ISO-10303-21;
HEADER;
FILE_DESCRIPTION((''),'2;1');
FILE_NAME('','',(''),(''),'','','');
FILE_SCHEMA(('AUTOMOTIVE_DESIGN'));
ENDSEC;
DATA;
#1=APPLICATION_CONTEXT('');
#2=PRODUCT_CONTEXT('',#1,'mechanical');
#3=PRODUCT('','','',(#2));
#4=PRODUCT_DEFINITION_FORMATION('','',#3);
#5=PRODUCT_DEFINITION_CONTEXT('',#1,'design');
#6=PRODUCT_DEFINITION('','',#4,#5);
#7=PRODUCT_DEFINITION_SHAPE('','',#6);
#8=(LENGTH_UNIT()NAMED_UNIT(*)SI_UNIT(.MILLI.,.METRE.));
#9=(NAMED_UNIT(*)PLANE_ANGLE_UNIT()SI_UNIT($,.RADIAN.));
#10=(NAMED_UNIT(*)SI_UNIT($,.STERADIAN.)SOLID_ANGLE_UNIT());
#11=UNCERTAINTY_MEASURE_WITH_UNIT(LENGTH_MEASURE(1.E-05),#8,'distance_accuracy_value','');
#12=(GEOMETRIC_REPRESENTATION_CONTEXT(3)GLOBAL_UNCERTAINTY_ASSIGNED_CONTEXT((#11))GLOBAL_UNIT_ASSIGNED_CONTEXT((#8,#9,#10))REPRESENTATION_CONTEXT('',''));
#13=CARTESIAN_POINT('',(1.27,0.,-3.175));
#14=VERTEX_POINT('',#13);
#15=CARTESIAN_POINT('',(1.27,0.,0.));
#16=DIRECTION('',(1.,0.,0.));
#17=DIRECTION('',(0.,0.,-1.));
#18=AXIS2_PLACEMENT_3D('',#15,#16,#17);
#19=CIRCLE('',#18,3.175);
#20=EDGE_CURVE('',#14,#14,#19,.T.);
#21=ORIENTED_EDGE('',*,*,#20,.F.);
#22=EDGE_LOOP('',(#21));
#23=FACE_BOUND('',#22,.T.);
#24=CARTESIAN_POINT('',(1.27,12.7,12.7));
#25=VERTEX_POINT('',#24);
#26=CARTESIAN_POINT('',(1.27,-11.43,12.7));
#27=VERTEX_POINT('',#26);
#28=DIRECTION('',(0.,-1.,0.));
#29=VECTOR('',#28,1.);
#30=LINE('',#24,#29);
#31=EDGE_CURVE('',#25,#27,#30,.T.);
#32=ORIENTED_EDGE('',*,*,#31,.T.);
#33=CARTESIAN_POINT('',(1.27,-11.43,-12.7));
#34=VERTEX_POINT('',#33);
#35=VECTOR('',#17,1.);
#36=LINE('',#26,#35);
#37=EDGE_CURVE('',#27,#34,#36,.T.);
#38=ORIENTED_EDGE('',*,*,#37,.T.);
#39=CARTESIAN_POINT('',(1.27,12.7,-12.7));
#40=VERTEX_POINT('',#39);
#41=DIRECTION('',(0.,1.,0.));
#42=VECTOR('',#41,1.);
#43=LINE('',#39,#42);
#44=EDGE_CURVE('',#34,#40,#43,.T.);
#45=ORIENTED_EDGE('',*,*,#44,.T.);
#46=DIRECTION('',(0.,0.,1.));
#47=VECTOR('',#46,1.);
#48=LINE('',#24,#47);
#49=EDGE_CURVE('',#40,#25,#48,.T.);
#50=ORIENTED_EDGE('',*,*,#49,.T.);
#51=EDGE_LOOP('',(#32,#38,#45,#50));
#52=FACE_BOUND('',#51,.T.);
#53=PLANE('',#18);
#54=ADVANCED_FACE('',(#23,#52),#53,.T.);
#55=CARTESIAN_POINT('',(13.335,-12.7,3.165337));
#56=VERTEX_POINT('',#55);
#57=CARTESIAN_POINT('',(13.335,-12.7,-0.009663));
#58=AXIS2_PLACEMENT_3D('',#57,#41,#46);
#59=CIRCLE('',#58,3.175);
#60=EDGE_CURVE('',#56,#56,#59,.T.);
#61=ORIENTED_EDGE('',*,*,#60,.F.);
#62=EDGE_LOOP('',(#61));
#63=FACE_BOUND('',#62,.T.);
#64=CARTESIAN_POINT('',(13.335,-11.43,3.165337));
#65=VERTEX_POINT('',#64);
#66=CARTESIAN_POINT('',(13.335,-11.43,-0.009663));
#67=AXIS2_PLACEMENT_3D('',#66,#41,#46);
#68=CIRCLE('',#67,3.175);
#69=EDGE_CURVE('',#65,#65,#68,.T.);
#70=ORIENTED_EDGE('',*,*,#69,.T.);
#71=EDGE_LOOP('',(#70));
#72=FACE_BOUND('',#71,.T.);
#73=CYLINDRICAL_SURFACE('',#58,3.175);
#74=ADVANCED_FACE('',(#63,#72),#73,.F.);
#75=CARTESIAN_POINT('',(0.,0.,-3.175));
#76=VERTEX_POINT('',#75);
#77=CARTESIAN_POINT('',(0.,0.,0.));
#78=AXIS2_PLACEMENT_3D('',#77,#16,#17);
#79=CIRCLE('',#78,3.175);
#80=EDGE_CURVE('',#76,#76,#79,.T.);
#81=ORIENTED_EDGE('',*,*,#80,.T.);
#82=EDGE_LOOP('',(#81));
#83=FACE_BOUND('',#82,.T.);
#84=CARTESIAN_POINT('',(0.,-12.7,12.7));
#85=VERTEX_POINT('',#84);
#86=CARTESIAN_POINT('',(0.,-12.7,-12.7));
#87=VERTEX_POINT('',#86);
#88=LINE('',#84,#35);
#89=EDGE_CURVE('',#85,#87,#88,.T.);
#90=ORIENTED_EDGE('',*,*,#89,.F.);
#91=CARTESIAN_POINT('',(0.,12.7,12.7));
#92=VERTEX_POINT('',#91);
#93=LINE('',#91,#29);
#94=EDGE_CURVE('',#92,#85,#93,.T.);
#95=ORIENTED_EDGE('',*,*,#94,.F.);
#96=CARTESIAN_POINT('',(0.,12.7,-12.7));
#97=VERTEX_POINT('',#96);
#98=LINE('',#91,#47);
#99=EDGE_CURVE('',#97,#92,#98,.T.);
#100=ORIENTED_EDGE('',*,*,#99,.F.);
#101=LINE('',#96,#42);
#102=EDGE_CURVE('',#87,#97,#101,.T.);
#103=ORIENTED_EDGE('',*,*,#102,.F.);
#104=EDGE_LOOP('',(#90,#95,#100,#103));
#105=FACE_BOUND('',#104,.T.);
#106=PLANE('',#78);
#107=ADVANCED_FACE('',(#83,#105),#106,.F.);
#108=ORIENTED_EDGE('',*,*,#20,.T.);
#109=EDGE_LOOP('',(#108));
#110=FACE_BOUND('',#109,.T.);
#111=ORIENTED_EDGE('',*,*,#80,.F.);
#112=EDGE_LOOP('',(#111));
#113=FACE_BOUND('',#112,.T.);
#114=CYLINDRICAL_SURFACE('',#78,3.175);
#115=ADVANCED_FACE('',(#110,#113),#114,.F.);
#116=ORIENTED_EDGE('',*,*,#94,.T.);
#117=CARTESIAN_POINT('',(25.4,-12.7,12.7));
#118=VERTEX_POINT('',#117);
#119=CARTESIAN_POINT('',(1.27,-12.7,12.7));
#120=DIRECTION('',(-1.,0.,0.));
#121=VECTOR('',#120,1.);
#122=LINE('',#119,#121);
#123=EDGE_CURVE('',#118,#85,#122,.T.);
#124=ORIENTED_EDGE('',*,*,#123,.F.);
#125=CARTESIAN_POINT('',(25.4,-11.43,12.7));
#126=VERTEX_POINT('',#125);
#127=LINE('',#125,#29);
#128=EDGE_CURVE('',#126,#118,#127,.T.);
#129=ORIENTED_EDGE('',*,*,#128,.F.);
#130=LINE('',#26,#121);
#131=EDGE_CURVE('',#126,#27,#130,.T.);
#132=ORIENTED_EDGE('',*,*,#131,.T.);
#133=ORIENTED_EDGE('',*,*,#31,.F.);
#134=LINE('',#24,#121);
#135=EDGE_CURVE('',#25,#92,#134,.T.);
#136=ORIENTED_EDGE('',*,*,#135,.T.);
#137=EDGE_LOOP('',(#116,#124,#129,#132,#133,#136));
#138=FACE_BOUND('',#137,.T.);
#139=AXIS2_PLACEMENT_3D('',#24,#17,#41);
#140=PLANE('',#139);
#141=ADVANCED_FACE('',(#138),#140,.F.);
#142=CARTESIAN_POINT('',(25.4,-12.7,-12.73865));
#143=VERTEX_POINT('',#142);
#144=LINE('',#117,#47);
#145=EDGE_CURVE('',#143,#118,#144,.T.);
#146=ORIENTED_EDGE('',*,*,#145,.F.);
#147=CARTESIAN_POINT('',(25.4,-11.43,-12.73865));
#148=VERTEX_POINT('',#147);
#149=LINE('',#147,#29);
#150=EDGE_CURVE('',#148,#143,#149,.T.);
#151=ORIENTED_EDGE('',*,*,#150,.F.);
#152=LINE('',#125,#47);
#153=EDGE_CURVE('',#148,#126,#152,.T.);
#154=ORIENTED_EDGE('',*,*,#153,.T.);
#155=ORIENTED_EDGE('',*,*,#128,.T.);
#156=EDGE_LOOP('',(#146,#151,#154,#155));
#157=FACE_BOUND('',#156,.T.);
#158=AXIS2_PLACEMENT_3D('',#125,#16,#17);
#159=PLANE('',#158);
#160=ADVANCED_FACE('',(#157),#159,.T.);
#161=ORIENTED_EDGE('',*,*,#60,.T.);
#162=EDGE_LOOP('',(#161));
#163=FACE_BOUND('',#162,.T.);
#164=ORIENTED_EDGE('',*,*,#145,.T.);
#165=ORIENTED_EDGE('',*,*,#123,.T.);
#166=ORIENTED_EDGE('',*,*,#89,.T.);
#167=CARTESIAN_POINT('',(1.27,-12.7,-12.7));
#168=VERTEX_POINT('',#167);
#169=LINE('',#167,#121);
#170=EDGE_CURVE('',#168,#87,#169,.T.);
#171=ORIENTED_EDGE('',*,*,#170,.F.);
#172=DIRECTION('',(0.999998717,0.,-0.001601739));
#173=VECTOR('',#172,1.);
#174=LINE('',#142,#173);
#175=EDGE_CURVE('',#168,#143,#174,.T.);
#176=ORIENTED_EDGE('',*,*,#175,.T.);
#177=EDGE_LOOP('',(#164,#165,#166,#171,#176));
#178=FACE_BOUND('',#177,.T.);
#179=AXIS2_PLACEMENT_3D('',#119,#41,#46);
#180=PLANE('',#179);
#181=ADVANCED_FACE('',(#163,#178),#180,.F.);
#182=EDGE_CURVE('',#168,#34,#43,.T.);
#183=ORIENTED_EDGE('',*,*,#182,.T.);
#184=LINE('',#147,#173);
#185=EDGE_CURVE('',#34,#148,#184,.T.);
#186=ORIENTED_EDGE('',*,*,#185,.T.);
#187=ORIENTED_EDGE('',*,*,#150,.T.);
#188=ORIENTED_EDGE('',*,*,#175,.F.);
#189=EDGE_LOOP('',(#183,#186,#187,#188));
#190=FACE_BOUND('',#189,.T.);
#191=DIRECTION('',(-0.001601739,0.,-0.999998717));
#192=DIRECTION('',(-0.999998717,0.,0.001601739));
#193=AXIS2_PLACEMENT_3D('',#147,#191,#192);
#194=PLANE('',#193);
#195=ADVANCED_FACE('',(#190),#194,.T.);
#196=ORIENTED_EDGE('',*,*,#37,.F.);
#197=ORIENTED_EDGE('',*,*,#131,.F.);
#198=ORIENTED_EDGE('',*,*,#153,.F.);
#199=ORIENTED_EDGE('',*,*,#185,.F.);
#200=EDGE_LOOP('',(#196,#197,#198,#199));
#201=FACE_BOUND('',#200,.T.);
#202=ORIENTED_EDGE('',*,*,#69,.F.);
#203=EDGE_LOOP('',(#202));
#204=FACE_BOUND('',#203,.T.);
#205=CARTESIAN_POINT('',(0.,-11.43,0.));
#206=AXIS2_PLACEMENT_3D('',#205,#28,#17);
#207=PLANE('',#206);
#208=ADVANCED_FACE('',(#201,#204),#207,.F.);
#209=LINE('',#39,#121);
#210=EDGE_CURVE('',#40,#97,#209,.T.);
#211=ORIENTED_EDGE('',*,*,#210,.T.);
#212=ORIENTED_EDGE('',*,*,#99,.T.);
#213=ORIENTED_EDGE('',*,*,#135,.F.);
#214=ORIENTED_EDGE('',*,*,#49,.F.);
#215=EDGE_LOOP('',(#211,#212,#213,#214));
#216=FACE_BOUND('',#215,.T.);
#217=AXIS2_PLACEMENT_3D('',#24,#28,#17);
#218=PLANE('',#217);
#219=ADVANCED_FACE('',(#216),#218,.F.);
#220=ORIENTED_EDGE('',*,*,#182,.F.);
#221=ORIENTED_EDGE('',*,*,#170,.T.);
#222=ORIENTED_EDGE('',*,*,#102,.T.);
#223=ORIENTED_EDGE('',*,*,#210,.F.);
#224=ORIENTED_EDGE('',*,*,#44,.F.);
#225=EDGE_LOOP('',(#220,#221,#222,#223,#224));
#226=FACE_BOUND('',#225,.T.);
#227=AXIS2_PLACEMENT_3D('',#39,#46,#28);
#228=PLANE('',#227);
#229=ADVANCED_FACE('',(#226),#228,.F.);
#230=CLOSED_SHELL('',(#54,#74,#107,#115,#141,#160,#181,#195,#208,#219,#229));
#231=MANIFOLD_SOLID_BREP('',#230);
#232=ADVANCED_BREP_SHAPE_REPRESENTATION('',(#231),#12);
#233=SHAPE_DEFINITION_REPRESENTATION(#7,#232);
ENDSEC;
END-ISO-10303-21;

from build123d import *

# Parameters (mm, degrees)
SKETCH1_W           = 25.4
SKETCH1_H           = 25.4
BOSS_EXTRUDE1_DEPTH = 1.27
BOSS_EXTRUDE2_DEPTH = 1.27
SKETCH3_R           = 3.175
CUT_EXTRUDE1_DEPTH  = 1.27
SKETCH4_R           = 3.175
CUT_EXTRUDE2_DEPTH  = 1.27


with BuildPart() as part:
    # Sketch1 → Boss-Extrude1 (new body)
    with BuildSketch(Plane(origin=(0, 0, 0), x_dir=(0, 0, -1), z_dir=(1, 0, 0))):
        Rectangle(SKETCH1_W, SKETCH1_H)
    extrude(amount=BOSS_EXTRUDE1_DEPTH)

    # Sketch2 → Boss-Extrude2 (add)
    with BuildSketch(Plane.XZ.offset(12.7)):
        Polygon((1.27, 12.7), (25.4, 12.7), (25.4, -12.738650011), (1.27, -12.7), align=None)
    extrude(amount=-BOSS_EXTRUDE2_DEPTH)

    # Sketch3 → Cut-Extrude1 (cut)
    with BuildSketch(Plane(origin=(1.27, 0, 0), x_dir=(0, 0, -1), z_dir=(1, 0, 0))):
        Circle(SKETCH3_R)
    extrude(amount=-CUT_EXTRUDE1_DEPTH, mode=Mode.SUBTRACT)

    # Sketch4 → Cut-Extrude2 (cut)
    with BuildSketch(Plane(origin=(0, -11.43, 0), x_dir=(1, 0, 0), z_dir=(0, 1, 0))):
        with Locations(Location((13.335, 0.009662503, 0), (0, 0, 270))):
            Circle(SKETCH4_R)
    extrude(amount=-CUT_EXTRUDE2_DEPTH, mode=Mode.SUBTRACT)


solid = part.part
